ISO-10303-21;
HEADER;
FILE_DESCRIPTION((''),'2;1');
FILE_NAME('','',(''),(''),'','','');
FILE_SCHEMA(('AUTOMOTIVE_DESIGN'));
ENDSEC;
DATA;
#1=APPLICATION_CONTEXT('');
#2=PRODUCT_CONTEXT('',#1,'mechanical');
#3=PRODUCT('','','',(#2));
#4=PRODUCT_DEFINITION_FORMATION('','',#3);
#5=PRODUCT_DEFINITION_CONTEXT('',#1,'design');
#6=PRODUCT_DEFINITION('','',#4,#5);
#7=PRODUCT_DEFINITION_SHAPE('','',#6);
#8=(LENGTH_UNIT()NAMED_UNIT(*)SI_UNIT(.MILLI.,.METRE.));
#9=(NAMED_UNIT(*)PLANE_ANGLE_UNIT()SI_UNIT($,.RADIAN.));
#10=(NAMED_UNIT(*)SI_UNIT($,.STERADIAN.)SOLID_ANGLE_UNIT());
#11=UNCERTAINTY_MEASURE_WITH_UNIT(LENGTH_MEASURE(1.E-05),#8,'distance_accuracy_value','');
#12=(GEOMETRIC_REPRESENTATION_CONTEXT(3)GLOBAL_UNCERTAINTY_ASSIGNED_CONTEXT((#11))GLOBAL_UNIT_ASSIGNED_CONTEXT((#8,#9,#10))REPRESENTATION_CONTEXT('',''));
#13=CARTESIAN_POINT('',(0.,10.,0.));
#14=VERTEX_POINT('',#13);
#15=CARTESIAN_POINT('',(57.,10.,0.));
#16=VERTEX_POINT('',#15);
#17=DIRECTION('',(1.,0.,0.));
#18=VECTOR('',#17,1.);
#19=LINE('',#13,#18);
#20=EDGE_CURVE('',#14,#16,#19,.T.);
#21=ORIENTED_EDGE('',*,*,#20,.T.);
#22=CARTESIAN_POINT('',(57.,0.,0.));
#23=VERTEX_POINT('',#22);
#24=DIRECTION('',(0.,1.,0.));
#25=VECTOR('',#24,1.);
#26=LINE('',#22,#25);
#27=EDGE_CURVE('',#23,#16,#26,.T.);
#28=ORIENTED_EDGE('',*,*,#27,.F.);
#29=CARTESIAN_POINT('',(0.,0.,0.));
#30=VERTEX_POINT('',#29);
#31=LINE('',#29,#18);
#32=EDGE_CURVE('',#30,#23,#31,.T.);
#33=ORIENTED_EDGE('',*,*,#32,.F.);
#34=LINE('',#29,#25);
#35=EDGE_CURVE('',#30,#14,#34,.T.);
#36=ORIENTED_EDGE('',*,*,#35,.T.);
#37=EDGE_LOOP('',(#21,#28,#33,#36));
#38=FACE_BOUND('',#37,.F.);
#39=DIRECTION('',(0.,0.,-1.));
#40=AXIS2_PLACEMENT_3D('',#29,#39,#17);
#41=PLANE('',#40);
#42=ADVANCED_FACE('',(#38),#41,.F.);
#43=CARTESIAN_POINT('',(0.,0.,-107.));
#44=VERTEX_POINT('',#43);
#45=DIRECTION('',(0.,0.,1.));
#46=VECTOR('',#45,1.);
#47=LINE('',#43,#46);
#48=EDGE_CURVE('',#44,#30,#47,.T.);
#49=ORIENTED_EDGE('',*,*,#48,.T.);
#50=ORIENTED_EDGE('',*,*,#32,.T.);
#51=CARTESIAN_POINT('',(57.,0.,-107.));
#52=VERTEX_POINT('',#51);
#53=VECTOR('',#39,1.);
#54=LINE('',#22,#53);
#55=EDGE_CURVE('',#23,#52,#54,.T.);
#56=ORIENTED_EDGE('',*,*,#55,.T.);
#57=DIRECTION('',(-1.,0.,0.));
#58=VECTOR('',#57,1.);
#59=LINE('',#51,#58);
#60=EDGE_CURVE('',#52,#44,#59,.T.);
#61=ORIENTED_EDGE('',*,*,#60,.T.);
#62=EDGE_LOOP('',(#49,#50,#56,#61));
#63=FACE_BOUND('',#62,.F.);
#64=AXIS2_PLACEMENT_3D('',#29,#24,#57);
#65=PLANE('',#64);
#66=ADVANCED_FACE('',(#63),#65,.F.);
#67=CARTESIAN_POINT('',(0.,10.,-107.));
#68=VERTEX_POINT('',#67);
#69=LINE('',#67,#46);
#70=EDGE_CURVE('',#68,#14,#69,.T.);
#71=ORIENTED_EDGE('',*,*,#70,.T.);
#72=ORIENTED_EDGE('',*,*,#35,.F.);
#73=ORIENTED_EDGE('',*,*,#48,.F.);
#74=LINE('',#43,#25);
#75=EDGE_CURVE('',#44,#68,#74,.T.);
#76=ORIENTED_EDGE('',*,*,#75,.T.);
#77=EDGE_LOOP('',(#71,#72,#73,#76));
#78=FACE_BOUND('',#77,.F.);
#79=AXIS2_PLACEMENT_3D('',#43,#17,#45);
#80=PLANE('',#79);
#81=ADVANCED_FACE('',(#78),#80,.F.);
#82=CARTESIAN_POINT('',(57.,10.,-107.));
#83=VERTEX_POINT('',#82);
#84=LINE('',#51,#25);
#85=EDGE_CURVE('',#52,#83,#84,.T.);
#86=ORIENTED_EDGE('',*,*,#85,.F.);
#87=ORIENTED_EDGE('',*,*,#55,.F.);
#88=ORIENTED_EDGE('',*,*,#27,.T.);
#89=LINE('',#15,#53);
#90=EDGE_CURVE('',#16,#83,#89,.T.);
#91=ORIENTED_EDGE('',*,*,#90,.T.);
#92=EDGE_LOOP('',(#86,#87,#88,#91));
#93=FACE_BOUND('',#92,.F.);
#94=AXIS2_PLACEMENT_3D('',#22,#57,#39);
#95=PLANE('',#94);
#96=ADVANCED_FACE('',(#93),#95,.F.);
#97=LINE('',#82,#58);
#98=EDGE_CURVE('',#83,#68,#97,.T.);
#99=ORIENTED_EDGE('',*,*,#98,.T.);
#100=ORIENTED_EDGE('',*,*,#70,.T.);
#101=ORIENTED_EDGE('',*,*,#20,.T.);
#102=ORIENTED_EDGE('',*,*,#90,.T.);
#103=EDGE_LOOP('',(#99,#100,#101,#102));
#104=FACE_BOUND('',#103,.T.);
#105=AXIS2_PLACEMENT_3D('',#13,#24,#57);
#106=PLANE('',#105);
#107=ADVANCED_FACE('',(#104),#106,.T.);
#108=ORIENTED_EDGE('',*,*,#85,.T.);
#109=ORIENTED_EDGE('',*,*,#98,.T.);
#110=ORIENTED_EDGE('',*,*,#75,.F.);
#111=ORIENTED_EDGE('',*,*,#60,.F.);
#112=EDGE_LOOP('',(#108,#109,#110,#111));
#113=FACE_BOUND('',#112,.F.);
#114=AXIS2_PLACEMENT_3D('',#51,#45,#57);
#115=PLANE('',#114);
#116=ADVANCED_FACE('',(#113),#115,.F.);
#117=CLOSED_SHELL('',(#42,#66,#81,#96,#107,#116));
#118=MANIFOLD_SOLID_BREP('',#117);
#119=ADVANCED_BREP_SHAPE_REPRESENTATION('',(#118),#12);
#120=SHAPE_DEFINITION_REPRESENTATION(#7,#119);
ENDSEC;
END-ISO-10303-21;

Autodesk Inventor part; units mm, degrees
ref_plane "YZ Plane" through (0, 0, 0) normal (1, 0, 0) x (0, 1, 0)
ref_plane "XZ Plane" through (0, 0, 0) normal (0, 1, 0) x (-1, 0, 0)
ref_plane "XY Plane" through (0, 0, 0) normal (0, 0, 1) x (1, 0, 0)
sketch "스케치1" plane through (0, 0, 0) normal (0, 1, 0) x (-1, 0, 0)
  line L0 (0, 0) -> (-57, 0)
  line L1 (-57, 0) -> (-57, -107)
  line L2 (-57, -107) -> (0, -107)
  line L3 (0, -107) -> (0, 0)
  dimension "d0" = 57
  dimension "d1" = 107
extrude "돌출1" add sketch "스케치1" along normal blind 10
properties part number "gps_black"
